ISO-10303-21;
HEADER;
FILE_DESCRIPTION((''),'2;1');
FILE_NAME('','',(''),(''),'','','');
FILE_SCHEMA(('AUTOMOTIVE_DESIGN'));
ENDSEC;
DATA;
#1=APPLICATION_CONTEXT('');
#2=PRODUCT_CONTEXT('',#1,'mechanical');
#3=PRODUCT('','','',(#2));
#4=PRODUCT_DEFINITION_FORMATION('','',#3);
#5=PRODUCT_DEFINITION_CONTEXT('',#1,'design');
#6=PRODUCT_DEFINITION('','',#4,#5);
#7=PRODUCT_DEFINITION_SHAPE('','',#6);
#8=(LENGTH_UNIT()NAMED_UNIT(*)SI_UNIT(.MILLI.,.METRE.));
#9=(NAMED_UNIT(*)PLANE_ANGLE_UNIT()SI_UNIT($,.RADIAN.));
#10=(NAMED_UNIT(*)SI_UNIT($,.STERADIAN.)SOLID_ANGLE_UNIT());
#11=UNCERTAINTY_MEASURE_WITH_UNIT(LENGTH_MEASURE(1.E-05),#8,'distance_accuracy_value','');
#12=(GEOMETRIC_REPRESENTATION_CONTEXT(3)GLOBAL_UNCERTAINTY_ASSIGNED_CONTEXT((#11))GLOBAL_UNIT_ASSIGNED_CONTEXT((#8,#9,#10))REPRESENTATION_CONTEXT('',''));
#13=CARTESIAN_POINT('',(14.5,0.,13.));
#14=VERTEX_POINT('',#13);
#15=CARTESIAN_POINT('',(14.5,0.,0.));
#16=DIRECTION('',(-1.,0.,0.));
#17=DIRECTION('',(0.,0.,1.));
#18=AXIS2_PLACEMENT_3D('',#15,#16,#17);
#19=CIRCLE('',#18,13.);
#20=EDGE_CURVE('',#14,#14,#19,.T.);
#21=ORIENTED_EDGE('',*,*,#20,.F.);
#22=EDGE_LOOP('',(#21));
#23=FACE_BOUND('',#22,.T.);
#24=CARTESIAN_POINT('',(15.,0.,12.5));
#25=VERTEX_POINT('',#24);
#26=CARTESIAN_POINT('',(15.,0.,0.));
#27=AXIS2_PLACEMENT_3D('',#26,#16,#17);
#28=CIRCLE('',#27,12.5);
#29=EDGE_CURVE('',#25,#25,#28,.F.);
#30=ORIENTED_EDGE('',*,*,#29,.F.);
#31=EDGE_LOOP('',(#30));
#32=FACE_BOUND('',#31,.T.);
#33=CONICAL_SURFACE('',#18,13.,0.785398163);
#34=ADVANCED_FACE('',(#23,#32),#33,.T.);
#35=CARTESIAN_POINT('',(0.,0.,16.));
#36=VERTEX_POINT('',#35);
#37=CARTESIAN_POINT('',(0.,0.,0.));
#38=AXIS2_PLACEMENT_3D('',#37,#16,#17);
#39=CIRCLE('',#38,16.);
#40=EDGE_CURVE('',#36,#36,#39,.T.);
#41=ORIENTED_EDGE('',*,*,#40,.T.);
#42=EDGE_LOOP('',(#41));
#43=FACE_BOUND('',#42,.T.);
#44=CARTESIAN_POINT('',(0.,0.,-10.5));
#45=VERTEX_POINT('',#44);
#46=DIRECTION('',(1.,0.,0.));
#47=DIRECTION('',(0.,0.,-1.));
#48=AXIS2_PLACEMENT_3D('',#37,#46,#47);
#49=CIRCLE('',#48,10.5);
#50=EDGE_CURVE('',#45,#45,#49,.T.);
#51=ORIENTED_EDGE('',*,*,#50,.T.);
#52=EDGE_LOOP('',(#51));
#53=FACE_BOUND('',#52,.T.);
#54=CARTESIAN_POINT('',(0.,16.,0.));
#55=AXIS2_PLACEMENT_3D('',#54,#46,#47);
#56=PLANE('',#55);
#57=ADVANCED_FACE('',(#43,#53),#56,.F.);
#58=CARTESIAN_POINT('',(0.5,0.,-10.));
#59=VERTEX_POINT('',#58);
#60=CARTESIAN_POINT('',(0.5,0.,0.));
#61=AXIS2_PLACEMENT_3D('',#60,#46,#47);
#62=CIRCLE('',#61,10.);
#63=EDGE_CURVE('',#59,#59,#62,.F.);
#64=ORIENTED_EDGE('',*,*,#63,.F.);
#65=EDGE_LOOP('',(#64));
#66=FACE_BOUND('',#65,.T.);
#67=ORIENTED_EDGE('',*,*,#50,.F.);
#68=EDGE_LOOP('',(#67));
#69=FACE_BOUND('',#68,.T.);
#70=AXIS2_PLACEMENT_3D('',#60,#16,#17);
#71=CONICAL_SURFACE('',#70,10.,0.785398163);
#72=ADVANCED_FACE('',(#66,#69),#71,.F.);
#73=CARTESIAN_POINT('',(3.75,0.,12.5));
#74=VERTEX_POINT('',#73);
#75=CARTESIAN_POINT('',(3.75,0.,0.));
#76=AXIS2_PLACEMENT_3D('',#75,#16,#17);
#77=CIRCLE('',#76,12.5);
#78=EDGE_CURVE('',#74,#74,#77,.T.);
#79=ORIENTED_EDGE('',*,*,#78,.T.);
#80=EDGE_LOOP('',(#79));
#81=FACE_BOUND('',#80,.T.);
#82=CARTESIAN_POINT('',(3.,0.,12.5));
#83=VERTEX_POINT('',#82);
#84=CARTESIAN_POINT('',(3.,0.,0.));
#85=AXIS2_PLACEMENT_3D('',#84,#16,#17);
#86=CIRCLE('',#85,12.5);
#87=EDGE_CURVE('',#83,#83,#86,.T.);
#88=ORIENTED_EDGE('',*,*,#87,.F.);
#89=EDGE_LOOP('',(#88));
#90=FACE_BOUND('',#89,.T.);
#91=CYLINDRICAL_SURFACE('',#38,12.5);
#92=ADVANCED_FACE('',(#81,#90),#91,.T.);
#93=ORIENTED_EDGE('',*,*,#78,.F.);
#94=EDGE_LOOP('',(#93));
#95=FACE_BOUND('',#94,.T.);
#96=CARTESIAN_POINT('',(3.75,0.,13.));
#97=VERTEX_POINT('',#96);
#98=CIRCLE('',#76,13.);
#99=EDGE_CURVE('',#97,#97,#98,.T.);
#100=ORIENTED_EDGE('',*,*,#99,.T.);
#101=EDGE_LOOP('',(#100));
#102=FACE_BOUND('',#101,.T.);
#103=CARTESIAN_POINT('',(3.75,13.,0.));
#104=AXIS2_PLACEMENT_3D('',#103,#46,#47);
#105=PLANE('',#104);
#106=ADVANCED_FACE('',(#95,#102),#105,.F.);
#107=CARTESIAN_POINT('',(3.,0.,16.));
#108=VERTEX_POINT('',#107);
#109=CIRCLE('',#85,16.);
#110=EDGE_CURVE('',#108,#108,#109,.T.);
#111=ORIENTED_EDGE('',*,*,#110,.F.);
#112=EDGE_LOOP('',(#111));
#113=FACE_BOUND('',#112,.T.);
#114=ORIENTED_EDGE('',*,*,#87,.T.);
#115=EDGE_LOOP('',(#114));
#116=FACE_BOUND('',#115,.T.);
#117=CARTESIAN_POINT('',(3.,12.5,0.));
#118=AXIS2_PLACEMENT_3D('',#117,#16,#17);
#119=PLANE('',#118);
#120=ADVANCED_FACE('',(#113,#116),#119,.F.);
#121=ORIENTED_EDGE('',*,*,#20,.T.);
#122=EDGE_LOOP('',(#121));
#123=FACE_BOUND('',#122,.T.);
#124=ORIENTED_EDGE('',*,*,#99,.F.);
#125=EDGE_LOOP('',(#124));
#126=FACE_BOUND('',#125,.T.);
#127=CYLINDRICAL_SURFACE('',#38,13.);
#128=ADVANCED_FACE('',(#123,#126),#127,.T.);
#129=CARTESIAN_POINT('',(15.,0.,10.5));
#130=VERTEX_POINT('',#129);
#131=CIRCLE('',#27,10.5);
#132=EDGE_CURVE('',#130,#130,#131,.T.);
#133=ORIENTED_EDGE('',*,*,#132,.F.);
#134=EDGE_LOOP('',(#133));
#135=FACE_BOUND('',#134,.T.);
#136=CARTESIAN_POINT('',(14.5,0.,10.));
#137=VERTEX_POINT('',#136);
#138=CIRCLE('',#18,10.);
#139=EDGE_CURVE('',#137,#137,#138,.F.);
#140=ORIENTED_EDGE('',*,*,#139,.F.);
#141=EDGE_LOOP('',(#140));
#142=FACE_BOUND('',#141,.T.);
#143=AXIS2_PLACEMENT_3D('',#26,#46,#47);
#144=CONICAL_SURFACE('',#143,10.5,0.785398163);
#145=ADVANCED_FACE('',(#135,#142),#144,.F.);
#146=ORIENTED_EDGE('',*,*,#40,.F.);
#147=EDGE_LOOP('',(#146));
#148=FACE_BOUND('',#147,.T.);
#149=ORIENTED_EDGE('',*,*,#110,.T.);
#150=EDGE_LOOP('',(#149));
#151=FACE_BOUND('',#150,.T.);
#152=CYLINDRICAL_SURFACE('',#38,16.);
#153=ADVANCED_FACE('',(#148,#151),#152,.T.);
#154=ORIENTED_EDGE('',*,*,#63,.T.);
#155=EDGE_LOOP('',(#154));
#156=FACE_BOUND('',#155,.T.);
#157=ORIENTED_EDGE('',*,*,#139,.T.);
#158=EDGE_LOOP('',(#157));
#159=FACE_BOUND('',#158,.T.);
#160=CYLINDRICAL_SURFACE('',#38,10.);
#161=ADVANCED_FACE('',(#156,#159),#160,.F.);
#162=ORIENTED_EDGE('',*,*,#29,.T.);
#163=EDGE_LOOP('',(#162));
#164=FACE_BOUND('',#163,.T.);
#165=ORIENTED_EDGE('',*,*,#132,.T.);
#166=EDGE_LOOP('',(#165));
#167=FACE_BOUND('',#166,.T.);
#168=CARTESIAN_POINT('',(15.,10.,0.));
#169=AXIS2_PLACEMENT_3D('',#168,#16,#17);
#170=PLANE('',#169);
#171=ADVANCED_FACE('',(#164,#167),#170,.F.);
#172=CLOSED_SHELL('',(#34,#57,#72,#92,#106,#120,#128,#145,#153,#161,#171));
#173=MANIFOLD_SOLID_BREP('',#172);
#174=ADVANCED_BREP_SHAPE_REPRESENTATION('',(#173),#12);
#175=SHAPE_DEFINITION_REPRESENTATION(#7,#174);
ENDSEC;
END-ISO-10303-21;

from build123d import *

# Parameters (mm, degrees)
ZKOSIT1_SIZE = 0.5


with BuildPart() as part:
    # Skica1 → Otočit kolem osy1 (revolve)
    with BuildSketch(Plane.XY, mode=Mode.PRIVATE) as oto_it_kolem_osy1_sk:
        Polygon((0, 16), (0, 10), (15, 10), (15, 13), (3.75, 13), (3.75, 12.5), (3, 12.5), (3, 16), align=None)
    revolve(oto_it_kolem_osy1_sk.sketch.rotate(Axis((0, 0, 0), (1, 0, 0)), 90), axis=Axis((0, 0, 0), (1, 0, 0)))

    # Zkosit1
    zkosit1_edges = [part.edges().sort_by_distance(p)[0] for p in [
        (0, 0, -10),
        (15, 0, -10),
        (15, 0, -13),
    ]]
    chamfer(zkosit1_edges, length=ZKOSIT1_SIZE)


solid = part.part
